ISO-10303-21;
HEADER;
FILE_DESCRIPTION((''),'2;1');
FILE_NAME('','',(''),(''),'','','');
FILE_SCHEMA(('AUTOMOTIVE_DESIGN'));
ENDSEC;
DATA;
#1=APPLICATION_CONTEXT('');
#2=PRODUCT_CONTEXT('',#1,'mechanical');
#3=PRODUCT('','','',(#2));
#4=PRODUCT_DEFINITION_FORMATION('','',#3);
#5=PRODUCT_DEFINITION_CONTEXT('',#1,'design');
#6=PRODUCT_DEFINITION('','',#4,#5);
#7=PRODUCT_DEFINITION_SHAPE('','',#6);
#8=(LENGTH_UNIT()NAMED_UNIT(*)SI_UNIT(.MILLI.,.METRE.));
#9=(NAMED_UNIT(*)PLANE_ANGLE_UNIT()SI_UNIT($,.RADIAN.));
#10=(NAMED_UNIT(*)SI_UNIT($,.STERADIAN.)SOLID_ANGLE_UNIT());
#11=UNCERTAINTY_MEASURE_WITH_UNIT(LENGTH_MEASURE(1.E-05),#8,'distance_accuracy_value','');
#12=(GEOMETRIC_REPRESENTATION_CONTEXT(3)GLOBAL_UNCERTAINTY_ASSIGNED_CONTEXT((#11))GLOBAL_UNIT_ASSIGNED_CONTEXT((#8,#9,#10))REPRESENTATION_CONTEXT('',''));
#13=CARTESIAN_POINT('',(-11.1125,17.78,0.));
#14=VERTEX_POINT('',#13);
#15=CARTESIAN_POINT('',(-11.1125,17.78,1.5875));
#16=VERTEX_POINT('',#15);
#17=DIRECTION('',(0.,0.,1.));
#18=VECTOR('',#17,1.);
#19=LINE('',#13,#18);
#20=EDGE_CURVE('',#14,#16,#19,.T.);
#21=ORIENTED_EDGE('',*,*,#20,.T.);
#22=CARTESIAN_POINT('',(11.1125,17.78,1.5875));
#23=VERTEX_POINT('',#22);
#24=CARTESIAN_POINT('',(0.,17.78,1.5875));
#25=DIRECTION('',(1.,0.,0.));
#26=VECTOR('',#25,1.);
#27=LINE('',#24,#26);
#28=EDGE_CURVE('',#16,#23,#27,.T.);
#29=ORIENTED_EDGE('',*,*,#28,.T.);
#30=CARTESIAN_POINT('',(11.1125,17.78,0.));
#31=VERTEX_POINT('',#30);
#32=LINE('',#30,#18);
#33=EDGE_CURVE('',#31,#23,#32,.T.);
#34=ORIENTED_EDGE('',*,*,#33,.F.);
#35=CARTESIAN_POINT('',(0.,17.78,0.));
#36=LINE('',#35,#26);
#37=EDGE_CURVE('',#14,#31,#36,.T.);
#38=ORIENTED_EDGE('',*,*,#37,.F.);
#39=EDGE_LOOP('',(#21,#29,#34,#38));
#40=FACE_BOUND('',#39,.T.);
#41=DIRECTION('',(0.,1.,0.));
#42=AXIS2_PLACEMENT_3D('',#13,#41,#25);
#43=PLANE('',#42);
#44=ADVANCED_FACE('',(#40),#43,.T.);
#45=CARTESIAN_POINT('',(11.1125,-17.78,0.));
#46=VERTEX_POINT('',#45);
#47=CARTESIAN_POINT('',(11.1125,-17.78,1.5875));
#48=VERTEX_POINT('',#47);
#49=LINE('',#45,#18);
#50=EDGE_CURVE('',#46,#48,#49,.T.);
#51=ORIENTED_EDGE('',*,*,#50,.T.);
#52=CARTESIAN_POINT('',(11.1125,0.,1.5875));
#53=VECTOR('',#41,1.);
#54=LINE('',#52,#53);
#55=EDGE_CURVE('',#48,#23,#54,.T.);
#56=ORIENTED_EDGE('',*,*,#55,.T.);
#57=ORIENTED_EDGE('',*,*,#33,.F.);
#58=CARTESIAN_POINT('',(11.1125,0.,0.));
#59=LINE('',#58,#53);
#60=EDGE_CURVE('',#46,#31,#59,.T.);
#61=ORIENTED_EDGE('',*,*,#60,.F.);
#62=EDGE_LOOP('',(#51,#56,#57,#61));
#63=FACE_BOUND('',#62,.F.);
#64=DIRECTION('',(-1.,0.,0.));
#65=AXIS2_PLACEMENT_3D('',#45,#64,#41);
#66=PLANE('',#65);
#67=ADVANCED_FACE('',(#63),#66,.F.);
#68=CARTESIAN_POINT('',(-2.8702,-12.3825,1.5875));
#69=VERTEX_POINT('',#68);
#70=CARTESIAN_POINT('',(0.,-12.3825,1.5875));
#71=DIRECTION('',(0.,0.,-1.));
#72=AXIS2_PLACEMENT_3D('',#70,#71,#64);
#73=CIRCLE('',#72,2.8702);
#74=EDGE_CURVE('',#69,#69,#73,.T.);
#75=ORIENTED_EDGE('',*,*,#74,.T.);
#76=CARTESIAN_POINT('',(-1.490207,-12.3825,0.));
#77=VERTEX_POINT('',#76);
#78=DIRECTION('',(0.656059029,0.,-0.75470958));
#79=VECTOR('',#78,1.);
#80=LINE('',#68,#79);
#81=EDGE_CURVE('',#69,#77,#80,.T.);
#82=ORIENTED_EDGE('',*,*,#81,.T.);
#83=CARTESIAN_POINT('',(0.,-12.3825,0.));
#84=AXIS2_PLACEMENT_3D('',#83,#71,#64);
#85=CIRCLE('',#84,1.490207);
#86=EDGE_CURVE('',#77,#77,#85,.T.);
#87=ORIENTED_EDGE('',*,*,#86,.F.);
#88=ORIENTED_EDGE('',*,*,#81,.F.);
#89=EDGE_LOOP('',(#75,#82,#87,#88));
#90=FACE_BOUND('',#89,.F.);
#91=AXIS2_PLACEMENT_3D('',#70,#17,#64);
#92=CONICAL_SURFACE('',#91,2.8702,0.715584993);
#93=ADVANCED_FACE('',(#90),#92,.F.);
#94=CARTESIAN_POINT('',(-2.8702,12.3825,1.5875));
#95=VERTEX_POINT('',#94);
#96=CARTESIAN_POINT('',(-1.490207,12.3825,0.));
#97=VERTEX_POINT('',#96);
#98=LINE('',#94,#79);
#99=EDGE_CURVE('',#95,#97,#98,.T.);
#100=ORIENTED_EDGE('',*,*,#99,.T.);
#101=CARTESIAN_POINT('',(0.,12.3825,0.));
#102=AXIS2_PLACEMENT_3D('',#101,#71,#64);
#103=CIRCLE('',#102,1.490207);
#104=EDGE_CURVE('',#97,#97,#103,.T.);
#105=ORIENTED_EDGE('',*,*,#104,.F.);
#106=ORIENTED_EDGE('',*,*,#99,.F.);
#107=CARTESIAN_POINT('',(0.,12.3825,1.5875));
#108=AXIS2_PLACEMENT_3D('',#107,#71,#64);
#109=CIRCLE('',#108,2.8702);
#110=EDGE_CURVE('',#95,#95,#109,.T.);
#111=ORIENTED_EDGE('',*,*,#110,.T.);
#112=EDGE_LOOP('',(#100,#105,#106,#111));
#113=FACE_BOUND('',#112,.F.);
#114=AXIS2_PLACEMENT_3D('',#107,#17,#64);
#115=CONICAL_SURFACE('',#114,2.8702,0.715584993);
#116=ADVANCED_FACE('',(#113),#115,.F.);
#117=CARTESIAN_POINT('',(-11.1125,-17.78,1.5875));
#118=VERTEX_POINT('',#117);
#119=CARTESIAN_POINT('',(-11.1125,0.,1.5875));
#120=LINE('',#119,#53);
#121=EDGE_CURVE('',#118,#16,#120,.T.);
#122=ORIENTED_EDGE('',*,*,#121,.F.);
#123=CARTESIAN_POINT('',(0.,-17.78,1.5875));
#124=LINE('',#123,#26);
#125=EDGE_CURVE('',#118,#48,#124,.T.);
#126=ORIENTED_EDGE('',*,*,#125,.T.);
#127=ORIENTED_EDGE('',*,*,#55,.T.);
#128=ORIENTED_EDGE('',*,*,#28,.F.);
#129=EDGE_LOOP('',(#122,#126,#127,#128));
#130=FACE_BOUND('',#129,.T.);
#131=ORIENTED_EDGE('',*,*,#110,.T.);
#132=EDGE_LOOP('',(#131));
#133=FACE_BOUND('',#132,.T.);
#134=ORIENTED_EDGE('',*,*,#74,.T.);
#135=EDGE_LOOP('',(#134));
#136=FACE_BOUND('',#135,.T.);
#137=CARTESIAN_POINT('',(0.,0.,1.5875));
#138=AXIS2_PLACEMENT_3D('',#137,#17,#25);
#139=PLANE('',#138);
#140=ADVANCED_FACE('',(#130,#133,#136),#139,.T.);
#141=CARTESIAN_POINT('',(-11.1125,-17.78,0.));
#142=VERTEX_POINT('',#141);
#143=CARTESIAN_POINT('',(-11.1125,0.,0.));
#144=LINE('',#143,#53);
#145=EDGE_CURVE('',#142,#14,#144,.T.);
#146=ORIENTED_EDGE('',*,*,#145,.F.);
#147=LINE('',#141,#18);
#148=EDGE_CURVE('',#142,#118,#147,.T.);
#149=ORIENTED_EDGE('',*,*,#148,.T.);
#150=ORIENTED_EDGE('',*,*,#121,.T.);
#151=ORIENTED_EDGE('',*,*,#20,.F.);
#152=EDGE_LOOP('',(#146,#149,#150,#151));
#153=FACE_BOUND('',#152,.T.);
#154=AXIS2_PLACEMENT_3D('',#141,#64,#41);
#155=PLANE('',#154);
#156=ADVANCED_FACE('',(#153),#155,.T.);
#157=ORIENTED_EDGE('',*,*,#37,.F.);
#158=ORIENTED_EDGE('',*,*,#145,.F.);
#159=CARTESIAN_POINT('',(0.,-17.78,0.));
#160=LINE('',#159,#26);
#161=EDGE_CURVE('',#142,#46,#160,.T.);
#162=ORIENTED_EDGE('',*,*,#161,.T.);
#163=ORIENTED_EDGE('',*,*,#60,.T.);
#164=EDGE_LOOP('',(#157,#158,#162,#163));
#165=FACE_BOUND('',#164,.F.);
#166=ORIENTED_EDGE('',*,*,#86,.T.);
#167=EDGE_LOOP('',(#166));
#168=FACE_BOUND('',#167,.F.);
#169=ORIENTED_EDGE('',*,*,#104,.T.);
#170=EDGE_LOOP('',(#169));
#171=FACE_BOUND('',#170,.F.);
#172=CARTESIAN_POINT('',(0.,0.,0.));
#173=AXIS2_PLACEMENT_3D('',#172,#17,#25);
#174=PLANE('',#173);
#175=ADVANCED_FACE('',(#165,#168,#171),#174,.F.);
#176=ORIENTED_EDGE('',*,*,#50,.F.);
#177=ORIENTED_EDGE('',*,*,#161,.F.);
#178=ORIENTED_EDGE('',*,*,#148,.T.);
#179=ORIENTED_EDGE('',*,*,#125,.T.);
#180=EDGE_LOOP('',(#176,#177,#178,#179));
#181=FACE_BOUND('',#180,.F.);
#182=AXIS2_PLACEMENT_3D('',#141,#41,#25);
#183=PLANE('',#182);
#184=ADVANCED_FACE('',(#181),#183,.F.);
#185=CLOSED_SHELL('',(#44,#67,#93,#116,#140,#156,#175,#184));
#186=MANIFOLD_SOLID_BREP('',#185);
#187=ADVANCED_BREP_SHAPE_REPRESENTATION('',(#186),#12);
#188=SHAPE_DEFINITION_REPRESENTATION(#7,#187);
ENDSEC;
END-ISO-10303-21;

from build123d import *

# Parameters (mm, degrees)
F0_W           = 22.225
F0_H           = 35.56
F1_DEPTH       = 1.5875
F3_D           = 2.9464
F3_CSINK_D     = 5.7404
F3_CSINK_ANGLE = 82


with BuildPart() as f1:
    # F0 (on Top) → F1 (new body)
    with BuildSketch(Plane.XY):
        Rectangle(F0_W, F0_H)
    extrude(amount=F1_DEPTH)

    # F3 (through all)
    with Locations(Plane.XY.offset(1.5875)):
        with Locations((0, 12.3825), (0, -12.3825)):
            CounterSinkHole(F3_D / 2, F3_CSINK_D / 2, counter_sink_angle=F3_CSINK_ANGLE)


solid = f1.part
